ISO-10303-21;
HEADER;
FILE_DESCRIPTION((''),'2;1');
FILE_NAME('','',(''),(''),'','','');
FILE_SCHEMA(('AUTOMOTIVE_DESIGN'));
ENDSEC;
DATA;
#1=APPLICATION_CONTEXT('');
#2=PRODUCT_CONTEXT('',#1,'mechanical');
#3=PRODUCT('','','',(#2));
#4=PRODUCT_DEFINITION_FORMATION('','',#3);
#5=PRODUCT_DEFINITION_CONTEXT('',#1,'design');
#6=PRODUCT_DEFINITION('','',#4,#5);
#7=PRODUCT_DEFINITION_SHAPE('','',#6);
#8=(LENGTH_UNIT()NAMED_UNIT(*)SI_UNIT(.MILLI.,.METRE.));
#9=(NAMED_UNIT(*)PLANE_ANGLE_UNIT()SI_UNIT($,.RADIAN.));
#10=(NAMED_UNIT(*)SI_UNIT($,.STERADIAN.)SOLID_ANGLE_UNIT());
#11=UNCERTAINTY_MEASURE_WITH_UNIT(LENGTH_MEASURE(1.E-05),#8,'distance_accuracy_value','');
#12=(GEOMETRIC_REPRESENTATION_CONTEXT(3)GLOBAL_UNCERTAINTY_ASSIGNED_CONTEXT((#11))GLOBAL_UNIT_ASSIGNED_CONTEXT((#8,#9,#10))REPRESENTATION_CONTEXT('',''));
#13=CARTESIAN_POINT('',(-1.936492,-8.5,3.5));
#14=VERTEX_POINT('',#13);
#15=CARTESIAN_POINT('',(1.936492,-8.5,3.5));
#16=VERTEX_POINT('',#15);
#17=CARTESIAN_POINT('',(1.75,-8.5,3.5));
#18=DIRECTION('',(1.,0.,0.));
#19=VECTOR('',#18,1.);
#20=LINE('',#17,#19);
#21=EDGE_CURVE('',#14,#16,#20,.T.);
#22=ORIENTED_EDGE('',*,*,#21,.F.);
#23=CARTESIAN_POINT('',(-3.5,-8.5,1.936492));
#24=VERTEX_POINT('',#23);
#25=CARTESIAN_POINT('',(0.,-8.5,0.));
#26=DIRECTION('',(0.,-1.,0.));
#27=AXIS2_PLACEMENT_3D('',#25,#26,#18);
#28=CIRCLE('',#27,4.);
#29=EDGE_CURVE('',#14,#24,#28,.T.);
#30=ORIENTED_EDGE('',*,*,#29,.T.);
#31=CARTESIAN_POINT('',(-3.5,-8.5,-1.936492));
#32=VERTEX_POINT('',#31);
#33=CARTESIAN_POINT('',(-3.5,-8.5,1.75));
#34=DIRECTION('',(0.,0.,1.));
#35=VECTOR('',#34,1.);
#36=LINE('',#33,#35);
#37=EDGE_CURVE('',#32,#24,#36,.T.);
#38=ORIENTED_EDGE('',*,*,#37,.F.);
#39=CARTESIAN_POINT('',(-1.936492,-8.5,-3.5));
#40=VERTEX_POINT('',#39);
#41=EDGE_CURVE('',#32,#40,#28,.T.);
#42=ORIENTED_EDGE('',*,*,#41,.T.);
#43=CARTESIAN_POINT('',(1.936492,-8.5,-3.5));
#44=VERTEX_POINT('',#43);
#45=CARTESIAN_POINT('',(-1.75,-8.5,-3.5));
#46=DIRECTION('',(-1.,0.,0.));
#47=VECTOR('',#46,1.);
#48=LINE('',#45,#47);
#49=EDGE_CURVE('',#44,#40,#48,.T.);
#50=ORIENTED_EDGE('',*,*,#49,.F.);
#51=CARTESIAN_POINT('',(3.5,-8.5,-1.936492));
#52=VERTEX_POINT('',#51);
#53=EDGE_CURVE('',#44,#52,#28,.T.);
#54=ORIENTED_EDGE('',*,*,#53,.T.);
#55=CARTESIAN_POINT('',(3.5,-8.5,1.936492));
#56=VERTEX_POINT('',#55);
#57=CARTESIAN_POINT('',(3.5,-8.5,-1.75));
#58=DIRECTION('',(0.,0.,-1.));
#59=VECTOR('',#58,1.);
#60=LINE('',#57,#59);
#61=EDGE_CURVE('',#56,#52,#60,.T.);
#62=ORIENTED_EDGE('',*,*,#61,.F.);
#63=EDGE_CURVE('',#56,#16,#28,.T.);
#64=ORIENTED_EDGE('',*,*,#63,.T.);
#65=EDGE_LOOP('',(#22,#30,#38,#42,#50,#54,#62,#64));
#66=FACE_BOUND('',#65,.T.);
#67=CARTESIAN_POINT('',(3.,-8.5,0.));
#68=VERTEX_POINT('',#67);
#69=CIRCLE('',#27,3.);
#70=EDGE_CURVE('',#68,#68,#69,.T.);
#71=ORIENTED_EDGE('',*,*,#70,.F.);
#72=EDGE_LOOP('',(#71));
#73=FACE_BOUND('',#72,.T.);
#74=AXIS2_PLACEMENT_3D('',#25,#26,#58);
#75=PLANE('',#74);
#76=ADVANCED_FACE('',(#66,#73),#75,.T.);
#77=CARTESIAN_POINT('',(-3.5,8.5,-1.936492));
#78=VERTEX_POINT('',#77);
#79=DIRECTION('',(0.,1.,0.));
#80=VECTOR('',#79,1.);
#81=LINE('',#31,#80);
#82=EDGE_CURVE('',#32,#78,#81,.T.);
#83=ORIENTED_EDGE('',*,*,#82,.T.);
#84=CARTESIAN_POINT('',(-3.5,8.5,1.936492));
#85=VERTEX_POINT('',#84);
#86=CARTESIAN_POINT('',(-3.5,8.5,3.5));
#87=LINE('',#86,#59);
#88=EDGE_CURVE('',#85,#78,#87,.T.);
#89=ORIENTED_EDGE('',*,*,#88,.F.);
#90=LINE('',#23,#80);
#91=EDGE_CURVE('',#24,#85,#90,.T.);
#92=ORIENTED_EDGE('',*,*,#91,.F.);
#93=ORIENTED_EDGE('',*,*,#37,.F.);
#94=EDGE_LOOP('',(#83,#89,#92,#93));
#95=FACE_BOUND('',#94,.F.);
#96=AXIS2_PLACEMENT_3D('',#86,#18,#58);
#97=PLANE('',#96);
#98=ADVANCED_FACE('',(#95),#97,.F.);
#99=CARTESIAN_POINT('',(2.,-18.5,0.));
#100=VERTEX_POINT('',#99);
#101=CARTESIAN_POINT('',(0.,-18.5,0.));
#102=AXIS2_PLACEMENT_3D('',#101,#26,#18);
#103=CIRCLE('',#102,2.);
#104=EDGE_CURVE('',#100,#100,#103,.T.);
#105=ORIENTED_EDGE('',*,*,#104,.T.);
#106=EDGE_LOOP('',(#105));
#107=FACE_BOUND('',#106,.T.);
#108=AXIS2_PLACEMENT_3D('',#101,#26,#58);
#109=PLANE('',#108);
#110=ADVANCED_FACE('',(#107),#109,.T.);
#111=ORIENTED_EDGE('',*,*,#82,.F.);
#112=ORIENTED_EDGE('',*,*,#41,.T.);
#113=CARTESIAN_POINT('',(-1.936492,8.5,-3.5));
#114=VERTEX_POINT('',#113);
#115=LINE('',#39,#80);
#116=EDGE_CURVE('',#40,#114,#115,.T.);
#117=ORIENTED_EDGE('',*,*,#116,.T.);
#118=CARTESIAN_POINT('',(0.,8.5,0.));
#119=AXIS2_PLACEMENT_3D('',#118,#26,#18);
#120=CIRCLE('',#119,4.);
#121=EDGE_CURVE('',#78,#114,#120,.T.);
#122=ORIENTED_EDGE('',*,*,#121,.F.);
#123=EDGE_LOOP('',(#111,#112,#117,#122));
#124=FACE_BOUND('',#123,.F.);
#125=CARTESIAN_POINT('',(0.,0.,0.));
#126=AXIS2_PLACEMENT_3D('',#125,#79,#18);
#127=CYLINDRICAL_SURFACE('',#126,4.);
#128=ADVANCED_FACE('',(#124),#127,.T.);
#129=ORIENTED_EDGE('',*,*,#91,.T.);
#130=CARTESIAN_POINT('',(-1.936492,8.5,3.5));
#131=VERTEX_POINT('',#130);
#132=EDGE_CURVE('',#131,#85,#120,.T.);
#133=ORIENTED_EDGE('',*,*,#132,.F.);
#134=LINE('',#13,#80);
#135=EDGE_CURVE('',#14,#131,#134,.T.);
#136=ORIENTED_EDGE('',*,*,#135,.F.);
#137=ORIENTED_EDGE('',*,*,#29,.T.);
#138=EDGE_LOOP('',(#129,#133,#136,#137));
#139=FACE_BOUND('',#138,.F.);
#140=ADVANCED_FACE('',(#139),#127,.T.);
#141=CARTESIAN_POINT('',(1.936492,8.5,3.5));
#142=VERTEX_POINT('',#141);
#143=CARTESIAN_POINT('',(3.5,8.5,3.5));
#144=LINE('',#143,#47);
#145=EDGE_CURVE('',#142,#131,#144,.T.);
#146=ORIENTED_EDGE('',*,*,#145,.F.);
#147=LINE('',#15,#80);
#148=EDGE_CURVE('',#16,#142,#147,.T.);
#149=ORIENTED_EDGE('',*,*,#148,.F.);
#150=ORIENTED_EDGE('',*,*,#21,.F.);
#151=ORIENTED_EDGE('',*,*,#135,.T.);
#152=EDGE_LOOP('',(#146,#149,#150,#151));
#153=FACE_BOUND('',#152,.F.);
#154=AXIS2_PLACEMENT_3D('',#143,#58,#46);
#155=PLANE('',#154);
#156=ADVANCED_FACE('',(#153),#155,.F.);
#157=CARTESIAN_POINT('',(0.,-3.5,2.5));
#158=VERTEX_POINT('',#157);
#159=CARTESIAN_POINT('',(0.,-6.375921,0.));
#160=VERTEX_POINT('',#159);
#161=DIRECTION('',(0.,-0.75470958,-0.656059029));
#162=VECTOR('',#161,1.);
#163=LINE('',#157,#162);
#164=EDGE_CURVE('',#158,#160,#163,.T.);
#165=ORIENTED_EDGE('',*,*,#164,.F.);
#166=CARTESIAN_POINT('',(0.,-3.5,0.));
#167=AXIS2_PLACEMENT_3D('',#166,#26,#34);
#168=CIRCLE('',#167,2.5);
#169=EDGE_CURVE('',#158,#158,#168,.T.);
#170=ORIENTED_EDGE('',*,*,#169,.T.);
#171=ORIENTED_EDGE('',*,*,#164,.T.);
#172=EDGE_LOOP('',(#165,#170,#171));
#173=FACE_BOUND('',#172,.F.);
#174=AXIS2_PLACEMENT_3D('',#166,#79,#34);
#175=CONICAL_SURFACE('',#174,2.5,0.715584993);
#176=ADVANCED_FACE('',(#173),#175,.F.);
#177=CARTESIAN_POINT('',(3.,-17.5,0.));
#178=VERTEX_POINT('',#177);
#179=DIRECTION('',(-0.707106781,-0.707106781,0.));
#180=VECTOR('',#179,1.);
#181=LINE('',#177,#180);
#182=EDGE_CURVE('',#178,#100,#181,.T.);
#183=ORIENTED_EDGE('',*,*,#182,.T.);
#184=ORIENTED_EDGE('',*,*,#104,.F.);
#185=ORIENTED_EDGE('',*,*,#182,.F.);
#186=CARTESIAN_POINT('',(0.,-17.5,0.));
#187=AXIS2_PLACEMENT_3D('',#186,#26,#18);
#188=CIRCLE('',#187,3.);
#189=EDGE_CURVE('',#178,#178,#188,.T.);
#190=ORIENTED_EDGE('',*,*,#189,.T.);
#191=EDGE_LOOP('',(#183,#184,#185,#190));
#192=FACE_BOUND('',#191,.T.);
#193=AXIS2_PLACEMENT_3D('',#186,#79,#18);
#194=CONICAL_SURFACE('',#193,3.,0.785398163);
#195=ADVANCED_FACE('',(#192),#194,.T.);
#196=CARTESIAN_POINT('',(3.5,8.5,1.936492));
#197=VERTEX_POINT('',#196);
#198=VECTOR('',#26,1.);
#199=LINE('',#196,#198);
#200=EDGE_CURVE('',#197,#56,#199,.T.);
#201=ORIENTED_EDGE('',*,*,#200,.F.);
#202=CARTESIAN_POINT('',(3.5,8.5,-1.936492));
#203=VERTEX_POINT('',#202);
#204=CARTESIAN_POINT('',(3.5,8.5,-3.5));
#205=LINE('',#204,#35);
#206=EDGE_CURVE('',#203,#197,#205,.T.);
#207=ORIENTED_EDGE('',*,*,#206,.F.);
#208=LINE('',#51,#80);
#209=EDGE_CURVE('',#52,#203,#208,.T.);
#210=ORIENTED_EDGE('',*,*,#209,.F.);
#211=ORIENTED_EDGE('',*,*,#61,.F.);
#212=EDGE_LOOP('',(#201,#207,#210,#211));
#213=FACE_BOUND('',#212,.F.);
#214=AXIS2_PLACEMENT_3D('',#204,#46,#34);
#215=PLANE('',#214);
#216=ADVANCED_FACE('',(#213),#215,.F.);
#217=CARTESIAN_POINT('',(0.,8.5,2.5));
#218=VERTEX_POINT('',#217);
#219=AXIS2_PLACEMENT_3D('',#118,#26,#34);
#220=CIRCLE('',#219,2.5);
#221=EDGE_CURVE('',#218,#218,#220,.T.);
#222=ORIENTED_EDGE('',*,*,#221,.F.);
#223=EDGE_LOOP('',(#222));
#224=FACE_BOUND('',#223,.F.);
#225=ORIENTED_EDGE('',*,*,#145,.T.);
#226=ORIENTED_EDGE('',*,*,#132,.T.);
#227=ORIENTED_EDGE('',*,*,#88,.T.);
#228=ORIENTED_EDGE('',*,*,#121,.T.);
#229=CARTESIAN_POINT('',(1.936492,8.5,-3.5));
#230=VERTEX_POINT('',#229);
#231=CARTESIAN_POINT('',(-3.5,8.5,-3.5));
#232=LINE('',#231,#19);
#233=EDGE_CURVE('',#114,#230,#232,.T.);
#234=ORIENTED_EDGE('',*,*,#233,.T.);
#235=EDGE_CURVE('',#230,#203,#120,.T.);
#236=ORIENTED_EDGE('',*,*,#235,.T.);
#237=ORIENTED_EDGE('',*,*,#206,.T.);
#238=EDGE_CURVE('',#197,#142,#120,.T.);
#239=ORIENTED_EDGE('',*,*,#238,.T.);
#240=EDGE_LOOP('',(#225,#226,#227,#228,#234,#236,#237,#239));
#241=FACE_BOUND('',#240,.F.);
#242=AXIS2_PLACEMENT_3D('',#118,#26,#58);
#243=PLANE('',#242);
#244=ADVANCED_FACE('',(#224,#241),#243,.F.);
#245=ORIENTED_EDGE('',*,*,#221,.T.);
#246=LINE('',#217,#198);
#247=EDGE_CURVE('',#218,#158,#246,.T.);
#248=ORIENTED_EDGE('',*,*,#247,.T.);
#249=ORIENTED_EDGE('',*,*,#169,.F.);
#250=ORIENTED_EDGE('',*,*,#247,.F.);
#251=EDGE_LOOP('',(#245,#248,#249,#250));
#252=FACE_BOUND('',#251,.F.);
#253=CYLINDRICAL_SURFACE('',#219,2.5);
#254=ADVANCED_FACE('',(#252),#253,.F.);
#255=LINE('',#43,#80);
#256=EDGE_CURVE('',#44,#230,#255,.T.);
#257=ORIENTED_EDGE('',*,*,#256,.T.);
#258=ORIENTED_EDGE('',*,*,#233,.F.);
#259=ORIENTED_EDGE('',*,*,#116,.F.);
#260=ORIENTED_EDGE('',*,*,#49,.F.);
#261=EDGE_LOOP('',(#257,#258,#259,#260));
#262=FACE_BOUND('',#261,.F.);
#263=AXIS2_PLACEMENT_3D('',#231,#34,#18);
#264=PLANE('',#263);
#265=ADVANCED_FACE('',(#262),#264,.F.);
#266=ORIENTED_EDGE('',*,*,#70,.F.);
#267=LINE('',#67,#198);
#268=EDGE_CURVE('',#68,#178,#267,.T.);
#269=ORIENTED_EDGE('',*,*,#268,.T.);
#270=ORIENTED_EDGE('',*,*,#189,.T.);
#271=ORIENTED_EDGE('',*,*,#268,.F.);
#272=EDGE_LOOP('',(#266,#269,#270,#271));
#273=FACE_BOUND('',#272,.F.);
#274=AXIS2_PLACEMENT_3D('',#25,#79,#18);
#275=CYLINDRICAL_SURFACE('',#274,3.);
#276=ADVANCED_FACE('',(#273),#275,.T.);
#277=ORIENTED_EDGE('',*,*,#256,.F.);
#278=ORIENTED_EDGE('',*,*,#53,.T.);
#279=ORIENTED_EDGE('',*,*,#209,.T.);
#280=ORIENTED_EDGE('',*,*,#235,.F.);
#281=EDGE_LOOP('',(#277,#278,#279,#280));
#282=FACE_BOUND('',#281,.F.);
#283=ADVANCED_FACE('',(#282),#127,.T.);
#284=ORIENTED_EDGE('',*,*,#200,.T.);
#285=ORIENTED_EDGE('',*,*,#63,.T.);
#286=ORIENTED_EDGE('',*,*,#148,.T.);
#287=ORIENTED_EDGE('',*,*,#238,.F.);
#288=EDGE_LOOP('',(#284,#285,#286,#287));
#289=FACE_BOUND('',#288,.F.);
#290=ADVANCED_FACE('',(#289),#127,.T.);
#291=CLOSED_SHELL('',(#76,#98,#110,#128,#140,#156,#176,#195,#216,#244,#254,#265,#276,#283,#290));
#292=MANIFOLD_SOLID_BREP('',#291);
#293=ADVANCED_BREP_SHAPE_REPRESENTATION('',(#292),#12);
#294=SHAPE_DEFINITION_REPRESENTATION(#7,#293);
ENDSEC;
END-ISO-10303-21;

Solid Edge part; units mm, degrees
sketch "Sketch1" plane through (0, 0, 0) normal (0, -1, 0) x (1, 0, 0)
  circle A0 centre (0, 0) radius 4
  dimension "D1" = 8
extrude "Protrusion1" add sketch "Sketch1" along normal mid plane 17
sketch "Sketch2" plane through (0, -8.5, 0) normal (0, -1, 0) x (1, 0, 0)
  circle A0 centre (0, 0) radius 3
  dimension "D1" = 6
extrude "ProtrusiónExtruida_2" add sketch "Sketch2" along normal blind 10
chamfer "Chaflán_1" distance 1 angle 45 1 edges at (-3, -18.5, 0)
sketch "Sketch3" plane through (0, 8.5, 0) normal (0, 1, 0) x (0, 0, -1)
  line L0 (3.5, -3.5) -> (-3.5, -3.5)
  line L1 (-3.5, -3.5) -> (-3.5, 3.5)
  line L2 (-3.5, 3.5) -> (3.5, 3.5)
  line L3 (3.5, 3.5) -> (3.5, -3.5)
  line L4 (5, 5) -> (-5, 5)
  line L5 (-5, 5) -> (-5, -5)
  line L6 (-5, -5) -> (5, -5)
  line L7 (5, -5) -> (5, 5)
  dimension "D1" = 7
  dimension "D2" = 10
extrude "Cutout1" cut sketch "Sketch3" against normal through all
hole "Agujero_1" at (0, 8.5, 0) direction (0, -1, 0) diameter 5 depth 12 tip angle 82
